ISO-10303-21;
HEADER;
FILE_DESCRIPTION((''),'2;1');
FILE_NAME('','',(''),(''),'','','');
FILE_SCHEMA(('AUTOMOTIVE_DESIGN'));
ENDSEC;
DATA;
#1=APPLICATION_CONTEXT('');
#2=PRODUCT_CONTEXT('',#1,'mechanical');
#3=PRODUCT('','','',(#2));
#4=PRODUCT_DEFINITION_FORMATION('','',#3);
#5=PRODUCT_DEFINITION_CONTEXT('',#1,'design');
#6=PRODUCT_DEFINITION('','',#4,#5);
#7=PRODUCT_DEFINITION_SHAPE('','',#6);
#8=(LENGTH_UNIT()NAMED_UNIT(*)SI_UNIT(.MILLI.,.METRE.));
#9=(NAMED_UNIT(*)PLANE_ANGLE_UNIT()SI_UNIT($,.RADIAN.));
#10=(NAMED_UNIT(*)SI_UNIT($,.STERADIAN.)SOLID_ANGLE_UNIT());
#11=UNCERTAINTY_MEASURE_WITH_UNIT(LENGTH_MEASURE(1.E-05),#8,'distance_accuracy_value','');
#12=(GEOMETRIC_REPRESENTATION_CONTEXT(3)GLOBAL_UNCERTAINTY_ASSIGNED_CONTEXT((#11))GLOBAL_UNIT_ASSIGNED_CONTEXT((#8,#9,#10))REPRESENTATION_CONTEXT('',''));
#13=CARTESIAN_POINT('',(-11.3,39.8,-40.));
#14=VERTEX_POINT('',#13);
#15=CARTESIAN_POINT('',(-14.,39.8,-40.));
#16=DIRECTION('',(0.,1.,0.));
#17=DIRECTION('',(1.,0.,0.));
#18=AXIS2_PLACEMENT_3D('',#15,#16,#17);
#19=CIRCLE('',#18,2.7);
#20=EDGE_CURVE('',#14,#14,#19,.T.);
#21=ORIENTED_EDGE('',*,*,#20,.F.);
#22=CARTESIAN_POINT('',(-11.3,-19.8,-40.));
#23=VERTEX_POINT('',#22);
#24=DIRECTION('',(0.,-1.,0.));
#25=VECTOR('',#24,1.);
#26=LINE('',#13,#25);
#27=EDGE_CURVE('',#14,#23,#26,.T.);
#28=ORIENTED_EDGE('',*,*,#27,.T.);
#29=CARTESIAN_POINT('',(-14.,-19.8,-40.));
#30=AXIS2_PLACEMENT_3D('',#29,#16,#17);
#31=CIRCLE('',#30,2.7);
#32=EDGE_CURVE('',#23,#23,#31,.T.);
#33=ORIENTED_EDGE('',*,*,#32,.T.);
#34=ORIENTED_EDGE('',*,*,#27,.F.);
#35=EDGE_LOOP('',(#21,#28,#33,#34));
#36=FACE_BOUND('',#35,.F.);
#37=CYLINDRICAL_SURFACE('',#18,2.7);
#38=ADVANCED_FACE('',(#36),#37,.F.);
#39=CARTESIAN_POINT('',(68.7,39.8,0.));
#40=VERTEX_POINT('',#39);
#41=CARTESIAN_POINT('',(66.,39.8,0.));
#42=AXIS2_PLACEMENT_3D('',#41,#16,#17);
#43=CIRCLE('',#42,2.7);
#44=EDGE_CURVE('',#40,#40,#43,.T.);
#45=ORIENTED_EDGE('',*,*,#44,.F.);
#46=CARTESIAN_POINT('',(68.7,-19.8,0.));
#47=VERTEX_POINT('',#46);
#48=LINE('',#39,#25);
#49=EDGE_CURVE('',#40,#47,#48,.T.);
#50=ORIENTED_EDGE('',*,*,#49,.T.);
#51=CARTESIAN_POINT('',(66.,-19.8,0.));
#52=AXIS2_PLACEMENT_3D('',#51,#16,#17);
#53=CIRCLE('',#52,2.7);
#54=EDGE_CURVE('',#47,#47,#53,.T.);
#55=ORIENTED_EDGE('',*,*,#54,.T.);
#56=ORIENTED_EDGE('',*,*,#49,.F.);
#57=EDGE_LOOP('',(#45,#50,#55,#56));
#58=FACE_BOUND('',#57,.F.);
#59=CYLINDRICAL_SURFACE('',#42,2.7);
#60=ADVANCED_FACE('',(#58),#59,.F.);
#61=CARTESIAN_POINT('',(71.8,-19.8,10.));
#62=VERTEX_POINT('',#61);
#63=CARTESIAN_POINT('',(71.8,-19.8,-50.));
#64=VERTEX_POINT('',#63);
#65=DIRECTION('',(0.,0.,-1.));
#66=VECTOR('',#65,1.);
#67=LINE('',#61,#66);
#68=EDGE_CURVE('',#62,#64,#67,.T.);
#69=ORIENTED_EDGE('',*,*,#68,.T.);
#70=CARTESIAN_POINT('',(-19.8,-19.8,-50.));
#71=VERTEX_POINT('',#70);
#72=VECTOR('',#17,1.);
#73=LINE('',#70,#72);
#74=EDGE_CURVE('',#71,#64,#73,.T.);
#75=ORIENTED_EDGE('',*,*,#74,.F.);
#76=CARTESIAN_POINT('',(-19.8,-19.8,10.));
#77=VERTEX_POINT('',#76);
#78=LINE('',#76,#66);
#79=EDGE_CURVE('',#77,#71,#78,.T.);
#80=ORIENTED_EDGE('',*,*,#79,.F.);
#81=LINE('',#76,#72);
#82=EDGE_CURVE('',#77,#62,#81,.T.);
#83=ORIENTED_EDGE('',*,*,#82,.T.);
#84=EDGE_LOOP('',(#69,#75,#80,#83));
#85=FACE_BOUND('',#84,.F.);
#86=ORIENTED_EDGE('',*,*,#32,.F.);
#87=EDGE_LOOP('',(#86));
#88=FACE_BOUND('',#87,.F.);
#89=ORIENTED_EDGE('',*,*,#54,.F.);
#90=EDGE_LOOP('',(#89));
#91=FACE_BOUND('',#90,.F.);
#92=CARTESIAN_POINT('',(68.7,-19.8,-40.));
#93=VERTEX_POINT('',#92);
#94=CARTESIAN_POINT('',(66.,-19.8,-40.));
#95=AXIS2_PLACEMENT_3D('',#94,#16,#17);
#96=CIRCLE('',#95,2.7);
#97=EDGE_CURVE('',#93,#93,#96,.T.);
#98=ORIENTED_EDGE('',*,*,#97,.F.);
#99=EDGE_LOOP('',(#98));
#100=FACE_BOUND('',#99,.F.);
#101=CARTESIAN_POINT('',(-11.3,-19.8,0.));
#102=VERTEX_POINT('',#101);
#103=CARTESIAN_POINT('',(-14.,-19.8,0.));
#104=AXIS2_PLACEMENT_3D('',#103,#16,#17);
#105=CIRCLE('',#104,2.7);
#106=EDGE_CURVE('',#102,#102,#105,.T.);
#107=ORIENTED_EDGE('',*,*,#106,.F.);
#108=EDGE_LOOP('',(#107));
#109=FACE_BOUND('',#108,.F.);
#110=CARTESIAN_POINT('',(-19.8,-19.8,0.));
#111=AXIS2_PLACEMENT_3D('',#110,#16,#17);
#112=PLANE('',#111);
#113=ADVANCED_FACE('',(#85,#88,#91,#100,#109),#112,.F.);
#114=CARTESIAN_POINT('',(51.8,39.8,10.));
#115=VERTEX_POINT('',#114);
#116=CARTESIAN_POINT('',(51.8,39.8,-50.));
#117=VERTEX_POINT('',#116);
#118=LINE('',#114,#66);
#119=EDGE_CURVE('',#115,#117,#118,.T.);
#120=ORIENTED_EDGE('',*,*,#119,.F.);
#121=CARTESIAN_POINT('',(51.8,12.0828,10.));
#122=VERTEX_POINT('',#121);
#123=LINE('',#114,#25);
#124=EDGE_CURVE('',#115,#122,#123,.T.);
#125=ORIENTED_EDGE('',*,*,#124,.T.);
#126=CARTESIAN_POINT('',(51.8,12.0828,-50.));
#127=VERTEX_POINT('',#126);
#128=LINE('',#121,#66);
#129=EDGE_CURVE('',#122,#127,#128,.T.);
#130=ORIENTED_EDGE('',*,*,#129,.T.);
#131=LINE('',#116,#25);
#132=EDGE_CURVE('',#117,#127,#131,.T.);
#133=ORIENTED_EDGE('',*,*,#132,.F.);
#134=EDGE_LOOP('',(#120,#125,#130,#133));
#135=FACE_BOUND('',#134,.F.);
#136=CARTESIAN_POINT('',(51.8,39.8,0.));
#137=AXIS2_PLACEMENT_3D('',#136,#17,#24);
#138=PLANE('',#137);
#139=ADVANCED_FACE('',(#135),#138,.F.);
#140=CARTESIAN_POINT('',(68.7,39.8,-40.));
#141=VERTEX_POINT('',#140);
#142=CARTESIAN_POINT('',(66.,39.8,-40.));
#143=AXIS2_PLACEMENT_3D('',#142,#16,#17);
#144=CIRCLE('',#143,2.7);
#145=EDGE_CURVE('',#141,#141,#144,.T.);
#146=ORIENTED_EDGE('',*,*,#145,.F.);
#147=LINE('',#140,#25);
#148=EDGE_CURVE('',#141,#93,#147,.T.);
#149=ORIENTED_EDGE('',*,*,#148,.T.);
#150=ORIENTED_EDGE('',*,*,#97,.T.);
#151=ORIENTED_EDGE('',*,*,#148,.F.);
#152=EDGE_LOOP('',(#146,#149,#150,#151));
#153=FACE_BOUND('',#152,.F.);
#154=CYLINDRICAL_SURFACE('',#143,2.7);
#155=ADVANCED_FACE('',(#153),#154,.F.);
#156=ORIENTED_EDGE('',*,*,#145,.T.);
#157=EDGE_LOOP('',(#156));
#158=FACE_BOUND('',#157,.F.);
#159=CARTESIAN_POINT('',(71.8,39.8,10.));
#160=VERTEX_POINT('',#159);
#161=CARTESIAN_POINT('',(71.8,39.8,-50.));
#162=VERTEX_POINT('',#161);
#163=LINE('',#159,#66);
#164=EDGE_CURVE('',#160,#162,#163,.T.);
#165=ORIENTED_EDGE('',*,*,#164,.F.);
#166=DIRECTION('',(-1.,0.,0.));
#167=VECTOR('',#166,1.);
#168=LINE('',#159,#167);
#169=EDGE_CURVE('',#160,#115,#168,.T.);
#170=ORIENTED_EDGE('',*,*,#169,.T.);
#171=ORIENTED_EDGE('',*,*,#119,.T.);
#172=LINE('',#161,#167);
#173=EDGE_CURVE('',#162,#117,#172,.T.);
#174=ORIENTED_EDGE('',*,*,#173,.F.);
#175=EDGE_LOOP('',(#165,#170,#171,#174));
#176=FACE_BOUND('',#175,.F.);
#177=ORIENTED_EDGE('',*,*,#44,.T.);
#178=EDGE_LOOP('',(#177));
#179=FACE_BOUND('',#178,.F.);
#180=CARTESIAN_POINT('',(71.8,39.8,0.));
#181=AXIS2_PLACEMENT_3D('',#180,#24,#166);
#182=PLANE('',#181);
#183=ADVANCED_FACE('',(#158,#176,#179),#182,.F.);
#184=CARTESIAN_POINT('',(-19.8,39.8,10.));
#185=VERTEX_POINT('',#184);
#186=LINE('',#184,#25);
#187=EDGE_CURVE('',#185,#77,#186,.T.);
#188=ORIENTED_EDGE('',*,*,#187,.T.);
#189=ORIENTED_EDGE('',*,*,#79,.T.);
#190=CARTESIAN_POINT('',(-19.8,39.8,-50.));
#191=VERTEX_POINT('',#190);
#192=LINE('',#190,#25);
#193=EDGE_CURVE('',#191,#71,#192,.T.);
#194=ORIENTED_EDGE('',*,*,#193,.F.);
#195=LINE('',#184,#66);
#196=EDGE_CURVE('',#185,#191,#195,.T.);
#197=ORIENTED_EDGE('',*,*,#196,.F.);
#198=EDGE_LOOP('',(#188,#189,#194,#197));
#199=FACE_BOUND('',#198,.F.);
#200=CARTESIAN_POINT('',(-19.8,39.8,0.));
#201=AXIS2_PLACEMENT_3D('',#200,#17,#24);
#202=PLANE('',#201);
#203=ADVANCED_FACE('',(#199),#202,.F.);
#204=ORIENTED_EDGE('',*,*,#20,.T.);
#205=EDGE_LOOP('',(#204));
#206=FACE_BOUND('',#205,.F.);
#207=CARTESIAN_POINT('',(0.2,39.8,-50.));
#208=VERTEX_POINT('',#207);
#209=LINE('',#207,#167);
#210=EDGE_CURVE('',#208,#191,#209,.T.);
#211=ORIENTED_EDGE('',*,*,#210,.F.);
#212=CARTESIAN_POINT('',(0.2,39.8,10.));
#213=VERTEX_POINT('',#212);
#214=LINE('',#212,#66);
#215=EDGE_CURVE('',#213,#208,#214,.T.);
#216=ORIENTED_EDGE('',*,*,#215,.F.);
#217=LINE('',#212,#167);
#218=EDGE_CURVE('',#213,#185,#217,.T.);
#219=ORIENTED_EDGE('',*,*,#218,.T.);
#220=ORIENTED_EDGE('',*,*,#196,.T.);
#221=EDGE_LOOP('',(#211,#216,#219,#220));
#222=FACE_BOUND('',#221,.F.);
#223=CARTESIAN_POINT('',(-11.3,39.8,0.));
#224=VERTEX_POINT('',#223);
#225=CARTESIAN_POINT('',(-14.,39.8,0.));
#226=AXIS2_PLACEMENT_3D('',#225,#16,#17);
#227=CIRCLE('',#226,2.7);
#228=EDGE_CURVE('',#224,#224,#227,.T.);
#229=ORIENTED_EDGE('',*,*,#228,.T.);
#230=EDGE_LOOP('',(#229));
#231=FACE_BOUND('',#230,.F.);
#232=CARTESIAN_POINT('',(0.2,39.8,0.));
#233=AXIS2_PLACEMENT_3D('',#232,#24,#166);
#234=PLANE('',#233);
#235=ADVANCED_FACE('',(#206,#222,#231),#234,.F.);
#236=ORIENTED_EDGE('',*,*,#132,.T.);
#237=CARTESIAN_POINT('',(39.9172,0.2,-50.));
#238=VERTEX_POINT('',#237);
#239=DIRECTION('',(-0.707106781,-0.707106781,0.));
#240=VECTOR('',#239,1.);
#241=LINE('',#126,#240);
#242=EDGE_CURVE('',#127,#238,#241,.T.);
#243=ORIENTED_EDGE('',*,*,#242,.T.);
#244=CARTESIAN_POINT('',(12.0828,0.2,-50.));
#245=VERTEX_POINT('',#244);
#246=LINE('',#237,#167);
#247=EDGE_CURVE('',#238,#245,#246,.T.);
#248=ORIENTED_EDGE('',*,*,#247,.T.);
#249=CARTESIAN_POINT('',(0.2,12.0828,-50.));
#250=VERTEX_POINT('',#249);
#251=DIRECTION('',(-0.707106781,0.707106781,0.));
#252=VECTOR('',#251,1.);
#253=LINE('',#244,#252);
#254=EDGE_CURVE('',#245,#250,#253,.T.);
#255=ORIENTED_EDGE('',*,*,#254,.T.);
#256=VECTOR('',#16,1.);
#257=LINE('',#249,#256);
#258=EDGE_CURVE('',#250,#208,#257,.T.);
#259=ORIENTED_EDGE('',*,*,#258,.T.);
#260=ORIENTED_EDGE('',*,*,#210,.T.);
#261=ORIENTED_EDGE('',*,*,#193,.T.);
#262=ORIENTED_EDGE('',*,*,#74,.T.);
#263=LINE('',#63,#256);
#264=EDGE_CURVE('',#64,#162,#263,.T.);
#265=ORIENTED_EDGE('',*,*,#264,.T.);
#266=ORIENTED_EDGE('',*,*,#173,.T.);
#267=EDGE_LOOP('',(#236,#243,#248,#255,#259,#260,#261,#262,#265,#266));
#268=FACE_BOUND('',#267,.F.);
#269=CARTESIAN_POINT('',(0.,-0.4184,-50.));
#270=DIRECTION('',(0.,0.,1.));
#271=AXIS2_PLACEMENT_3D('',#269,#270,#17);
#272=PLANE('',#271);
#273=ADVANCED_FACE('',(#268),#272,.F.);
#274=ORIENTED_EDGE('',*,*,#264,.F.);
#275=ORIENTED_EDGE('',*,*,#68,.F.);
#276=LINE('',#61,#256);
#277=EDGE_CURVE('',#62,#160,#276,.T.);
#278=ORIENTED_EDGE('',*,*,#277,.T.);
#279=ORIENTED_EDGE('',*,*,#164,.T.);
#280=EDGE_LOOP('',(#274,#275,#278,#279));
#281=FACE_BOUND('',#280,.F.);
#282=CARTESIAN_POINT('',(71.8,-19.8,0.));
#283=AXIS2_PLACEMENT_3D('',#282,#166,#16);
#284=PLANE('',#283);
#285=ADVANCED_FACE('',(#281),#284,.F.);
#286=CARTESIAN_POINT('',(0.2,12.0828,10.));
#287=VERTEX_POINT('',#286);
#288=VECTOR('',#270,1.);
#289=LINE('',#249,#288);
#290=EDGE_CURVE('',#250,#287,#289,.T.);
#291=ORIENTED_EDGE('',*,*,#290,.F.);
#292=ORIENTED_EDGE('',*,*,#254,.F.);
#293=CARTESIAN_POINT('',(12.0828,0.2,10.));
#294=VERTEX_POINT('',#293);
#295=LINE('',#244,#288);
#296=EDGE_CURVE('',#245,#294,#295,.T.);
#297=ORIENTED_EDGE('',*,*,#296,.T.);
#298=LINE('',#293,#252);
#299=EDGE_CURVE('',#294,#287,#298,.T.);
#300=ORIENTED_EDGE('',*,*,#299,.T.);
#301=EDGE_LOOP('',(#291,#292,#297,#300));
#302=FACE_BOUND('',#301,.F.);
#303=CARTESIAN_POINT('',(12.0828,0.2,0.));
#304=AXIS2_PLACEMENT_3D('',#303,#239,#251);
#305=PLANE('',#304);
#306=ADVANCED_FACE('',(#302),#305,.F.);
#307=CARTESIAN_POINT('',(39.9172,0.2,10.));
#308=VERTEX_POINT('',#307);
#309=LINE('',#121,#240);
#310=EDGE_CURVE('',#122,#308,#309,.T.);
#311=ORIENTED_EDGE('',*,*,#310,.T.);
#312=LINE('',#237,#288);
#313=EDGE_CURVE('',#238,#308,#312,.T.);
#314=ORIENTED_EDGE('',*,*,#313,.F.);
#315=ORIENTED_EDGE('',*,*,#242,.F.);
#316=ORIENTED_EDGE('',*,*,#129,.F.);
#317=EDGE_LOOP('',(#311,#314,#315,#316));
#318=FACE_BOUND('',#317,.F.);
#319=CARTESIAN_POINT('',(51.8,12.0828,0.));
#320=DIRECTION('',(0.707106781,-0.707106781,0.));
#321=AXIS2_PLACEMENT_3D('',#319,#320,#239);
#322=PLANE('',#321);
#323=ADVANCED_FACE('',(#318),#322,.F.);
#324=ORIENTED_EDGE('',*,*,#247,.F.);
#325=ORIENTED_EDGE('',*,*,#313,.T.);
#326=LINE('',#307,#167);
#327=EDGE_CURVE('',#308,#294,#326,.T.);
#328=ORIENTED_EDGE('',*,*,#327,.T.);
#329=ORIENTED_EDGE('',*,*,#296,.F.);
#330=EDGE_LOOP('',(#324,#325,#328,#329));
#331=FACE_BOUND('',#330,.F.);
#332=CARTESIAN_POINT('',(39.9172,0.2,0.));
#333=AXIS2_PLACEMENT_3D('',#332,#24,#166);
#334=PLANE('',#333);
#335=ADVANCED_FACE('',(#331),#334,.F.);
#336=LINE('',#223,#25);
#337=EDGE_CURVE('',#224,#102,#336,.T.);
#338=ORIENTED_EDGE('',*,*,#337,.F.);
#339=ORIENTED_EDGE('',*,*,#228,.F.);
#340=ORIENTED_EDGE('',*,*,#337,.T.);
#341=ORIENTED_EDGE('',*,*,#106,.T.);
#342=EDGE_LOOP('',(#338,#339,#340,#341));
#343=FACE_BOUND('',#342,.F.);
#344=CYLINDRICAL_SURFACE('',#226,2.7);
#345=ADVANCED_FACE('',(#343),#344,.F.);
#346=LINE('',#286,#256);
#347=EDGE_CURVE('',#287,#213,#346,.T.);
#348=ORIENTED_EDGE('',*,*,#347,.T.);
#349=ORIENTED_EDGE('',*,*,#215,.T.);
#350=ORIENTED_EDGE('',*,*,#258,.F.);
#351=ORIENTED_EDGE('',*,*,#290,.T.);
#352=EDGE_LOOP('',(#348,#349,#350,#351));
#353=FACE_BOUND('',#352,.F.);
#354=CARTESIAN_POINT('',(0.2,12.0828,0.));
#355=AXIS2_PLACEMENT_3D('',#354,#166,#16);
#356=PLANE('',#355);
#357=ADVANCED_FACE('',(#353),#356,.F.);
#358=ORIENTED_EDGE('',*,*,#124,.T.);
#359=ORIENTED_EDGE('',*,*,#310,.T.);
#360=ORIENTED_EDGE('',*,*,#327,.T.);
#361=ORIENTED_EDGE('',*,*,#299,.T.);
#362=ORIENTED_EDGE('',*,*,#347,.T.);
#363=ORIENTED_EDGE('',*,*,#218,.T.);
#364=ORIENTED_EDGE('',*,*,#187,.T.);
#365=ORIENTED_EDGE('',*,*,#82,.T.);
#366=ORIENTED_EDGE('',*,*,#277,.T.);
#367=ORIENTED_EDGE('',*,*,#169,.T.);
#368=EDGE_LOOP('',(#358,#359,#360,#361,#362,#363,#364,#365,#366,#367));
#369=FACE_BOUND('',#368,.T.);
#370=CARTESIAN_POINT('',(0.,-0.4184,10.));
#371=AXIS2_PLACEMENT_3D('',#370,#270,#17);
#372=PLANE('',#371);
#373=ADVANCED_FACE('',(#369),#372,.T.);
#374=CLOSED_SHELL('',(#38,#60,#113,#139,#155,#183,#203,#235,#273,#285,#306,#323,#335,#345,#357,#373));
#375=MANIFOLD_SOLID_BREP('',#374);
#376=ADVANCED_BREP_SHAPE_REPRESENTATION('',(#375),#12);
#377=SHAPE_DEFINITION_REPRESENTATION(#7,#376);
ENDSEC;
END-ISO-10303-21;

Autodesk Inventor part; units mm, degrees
ref_plane "YZ Plane" through (0, 0, 0) normal (1, 0, 0) x (0, 1, 0)
ref_plane "XZ Plane" through (0, 0, 0) normal (0, 1, 0) x (-1, 0, 0)
ref_plane "Plano de trabajo1" through (0, -0.4184, 0) normal (0, 0, 1) x (1, 0, 0)
sketch "Boceto1" plane through (0, -0.4184, 0) normal (0, 0, 1) x (1, 0, 0)
  line L0 (51.8, 12.5012) -> (51.8, 40.2184) projected
  line L1 (51.8, 40.2184) -> (0.2, 40.2184) projected
  line L2 (0.2, 40.2184) -> (0.2, 12.5012) projected
  line L3 (0.2, 12.5012) -> (12.0828, 0.6184) projected
  line L4 (12.0828, 0.6184) -> (39.9172, 0.6184) projected
  line L5 (39.9172, 0.6184) -> (51.8, 12.5012) projected
  circle A0 centre (26, 20.4184) radius 14.2 projected
  line L6 (71.8, 40.2184) -> (-19.8, 40.2184)
  line L7 (-19.8, 40.2184) -> (-19.8, -19.3816)
  line L8 (-19.8, -19.3816) -> (71.8, -19.3816)
  line L9 (71.8, -19.3816) -> (71.8, 40.2184)
  point P0 (0, 0.4184)
  point P1 (0.2, 40.2184)
  point P2 (51.8, 40.2184)
  dimension "d0" = 20
  dimension "d1" = 20
  dimension "d2" = 20
extrude "Extrusión1" add sketch "Boceto1" against normal blind 40 contours L0 L6 L9 L8 L7 L2 L3 L4 L5
sketch "Boceto2" plane through (0, -0.4184, 0) normal (0, 0, 1) x (1, 0, 0)
  line L0 (39.9172, 0.6184) -> (12.0828, 0.6184) projected
  line L1 (12.0828, 0.6184) -> (0.2, 12.5012) projected
  line L2 (0.2, 12.5012) -> (0.2, 40.2184) projected
  line L3 (0.2, 40.2184) -> (-19.8, 40.2184) projected
  line L4 (-19.8, 40.2184) -> (-19.8, -19.3816) projected
  line L5 (-19.8, -19.3816) -> (71.8, -19.3816) projected
  line L6 (71.8, -19.3816) -> (71.8, 40.2184) projected
  line L7 (71.8, 40.2184) -> (51.8, 40.2184) projected
  line L8 (51.8, 40.2184) -> (51.8, 12.5012) projected
  line L9 (51.8, 12.5012) -> (39.9172, 0.6184) projected
  point P0 (0, 0.4184)
extrude "Extrusión2" add sketch "Boceto2" along normal blind 10 and the other way blind 50
sketch "Boceto3" plane through (-19.8, 39.8, -50) normal (0, 1, 0) x (1, 0, 0)
  circle A0 centre (5.8, -10) radius 2.7
  circle A1 centre (5.8, -50) radius 2.7
  circle A2 centre (85.8, -10) radius 2.7
  circle A3 centre (85.8, -50) radius 2.7
  line L0 (0, 0) -> (20, 0) projected
  line L1 (59.7172, -60) -> (31.8828, -60) projected
  line L2 (45.8, -60) -> (45.8, 0)
  point P0 (19.8, -50)
  dimension "d9" = 80
  dimension "d10" = 5.4
  dimension "d11" = 40
  dimension "d12" = 10
  dimension "d13" = 40
extrude "Extrusión3" cut sketch "Boceto3" against normal through all
properties part number "UpperJawsuuport"
